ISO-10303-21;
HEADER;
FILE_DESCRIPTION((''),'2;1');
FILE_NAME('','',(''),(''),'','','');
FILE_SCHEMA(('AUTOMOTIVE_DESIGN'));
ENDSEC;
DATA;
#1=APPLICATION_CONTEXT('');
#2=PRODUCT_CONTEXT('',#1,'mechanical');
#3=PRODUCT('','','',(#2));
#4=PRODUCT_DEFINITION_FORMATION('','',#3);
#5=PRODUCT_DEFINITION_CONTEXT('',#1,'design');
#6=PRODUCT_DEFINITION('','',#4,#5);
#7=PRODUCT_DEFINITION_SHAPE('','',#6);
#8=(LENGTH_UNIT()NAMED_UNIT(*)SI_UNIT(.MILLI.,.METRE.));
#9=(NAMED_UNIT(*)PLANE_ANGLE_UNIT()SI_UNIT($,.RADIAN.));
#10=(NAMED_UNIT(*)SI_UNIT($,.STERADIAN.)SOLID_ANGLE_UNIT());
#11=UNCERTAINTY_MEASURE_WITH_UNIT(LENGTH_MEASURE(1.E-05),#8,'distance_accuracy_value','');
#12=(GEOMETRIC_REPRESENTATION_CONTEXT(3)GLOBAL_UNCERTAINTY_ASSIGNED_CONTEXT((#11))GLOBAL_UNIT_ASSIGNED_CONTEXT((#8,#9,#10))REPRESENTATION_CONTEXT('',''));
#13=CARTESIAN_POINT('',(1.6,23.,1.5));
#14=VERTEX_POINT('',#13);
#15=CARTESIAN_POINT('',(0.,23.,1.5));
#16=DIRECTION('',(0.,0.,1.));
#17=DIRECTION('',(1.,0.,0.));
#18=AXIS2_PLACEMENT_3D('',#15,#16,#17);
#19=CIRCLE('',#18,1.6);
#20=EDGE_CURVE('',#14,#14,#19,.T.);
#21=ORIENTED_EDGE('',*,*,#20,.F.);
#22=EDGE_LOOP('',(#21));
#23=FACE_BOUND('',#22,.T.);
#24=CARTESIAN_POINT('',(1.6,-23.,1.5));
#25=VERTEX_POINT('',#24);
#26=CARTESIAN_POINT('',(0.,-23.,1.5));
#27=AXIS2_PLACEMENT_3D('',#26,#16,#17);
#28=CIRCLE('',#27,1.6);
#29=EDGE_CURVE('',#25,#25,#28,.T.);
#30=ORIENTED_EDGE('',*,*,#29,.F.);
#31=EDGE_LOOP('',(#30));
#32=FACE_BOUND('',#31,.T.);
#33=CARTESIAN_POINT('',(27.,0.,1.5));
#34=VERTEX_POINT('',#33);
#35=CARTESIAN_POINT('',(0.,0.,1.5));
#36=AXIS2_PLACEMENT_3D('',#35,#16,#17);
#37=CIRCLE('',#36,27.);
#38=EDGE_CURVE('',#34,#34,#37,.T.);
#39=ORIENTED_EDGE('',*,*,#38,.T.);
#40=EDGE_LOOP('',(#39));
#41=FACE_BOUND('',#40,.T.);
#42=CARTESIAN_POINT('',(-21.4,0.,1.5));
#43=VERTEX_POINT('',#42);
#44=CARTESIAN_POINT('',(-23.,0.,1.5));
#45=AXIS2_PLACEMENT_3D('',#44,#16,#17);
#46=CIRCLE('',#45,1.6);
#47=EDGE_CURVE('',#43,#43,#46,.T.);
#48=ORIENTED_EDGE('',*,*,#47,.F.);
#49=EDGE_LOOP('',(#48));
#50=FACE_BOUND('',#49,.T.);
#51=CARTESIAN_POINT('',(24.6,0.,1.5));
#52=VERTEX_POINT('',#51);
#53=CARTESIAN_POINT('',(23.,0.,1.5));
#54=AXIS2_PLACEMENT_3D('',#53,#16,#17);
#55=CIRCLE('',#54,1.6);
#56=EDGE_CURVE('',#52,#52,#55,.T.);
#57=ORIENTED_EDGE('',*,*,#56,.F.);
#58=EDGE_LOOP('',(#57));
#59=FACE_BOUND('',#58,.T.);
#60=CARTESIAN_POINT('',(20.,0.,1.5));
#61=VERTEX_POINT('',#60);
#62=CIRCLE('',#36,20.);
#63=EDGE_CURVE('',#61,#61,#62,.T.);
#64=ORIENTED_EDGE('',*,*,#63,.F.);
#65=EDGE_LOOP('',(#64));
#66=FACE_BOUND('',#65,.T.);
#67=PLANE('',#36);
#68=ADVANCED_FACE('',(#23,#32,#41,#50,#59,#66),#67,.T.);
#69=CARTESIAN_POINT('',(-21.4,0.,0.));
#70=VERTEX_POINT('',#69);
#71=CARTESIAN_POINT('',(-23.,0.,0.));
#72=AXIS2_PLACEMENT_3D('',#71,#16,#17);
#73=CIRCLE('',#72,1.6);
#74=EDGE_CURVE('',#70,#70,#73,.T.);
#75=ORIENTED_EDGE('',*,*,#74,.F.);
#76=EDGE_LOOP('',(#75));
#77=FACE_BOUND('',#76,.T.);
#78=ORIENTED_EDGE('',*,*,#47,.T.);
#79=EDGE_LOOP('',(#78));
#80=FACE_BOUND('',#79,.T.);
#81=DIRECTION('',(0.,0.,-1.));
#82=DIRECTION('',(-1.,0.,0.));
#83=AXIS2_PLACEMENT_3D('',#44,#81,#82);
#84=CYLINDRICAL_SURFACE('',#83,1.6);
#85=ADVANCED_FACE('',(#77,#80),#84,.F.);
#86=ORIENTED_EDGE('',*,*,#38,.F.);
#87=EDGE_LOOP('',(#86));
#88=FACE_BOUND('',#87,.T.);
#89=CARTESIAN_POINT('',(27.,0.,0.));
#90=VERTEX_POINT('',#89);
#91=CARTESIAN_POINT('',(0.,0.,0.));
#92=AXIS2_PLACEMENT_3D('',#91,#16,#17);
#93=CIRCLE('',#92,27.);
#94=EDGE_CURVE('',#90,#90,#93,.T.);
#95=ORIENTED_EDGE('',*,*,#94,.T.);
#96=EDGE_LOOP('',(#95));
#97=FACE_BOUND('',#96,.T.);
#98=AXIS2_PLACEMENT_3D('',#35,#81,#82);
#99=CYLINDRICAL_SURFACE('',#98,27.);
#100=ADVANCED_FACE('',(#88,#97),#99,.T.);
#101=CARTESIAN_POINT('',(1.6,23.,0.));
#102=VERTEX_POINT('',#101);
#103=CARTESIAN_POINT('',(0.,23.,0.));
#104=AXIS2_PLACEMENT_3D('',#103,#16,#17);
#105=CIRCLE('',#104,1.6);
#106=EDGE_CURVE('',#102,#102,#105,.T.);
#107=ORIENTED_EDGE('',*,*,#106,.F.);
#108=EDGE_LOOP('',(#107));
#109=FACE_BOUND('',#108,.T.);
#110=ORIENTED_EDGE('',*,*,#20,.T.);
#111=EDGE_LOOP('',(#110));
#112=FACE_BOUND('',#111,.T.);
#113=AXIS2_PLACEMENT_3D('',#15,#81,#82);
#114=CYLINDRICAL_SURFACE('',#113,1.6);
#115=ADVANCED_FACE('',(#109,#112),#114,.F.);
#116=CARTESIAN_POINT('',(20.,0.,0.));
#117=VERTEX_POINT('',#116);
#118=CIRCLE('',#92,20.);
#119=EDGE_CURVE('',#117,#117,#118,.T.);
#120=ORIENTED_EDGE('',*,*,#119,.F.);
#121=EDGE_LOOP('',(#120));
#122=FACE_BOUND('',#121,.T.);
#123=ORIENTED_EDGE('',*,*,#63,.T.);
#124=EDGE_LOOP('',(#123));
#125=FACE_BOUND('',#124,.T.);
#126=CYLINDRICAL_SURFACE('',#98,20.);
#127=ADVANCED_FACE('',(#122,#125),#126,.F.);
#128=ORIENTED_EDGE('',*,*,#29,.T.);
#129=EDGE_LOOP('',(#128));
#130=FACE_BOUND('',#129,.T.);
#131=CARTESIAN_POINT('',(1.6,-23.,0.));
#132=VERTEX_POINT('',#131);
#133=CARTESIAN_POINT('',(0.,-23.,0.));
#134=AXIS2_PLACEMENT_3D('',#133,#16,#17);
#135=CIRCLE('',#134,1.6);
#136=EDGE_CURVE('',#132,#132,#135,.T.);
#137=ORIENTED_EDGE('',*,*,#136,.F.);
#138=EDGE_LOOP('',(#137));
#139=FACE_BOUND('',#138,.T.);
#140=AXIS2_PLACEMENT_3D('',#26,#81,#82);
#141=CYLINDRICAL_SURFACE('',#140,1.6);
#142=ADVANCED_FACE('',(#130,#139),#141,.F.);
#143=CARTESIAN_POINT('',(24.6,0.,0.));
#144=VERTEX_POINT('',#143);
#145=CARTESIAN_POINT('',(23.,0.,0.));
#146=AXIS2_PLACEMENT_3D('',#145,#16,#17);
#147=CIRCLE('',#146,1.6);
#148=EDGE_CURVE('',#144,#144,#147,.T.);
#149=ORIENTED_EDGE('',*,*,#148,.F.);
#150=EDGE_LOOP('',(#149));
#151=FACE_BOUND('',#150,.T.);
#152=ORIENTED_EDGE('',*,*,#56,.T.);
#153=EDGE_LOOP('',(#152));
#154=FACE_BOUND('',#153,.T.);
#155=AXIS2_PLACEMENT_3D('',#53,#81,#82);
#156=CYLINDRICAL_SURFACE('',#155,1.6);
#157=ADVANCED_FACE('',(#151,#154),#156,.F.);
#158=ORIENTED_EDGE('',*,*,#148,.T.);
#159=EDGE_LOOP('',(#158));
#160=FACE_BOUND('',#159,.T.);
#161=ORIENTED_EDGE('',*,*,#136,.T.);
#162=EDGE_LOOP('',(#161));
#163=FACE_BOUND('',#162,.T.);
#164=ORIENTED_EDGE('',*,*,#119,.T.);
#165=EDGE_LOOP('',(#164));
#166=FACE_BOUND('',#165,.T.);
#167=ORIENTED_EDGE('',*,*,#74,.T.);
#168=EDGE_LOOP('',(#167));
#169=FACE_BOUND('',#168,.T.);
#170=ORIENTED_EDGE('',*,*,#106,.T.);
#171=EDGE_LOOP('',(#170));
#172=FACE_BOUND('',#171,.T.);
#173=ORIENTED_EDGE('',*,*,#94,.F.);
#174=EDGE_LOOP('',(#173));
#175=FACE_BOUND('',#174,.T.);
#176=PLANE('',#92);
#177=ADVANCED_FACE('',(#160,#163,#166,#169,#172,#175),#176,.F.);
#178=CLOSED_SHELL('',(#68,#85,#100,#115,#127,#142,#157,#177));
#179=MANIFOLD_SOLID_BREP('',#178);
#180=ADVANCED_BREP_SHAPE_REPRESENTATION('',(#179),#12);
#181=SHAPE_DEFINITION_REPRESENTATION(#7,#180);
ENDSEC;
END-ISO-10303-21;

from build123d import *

# Parameters (mm, degrees)
SKETCH_1_R      = 27
SKETCH_1_R_2    = 20
SKETCH_1_R_3    = 1.6
EXTRUDE_1_DEPTH = 1.5


with BuildPart() as part:
    # 草图1 → 凸台-拉伸1 (new body)
    with BuildSketch(Plane.XY):
        Circle(SKETCH_1_R)
        Circle(SKETCH_1_R_2, mode=Mode.SUBTRACT)
        with Locations((0, 23)):
            Circle(SKETCH_1_R_3, mode=Mode.SUBTRACT)
        with Locations((23, 0)):
            Circle(SKETCH_1_R_3, mode=Mode.SUBTRACT)
        with Locations((0, -23)):
            Circle(SKETCH_1_R_3, mode=Mode.SUBTRACT)
        with Locations((-23, 0)):
            Circle(SKETCH_1_R_3, mode=Mode.SUBTRACT)
    extrude(amount=EXTRUDE_1_DEPTH)


solid = part.part
